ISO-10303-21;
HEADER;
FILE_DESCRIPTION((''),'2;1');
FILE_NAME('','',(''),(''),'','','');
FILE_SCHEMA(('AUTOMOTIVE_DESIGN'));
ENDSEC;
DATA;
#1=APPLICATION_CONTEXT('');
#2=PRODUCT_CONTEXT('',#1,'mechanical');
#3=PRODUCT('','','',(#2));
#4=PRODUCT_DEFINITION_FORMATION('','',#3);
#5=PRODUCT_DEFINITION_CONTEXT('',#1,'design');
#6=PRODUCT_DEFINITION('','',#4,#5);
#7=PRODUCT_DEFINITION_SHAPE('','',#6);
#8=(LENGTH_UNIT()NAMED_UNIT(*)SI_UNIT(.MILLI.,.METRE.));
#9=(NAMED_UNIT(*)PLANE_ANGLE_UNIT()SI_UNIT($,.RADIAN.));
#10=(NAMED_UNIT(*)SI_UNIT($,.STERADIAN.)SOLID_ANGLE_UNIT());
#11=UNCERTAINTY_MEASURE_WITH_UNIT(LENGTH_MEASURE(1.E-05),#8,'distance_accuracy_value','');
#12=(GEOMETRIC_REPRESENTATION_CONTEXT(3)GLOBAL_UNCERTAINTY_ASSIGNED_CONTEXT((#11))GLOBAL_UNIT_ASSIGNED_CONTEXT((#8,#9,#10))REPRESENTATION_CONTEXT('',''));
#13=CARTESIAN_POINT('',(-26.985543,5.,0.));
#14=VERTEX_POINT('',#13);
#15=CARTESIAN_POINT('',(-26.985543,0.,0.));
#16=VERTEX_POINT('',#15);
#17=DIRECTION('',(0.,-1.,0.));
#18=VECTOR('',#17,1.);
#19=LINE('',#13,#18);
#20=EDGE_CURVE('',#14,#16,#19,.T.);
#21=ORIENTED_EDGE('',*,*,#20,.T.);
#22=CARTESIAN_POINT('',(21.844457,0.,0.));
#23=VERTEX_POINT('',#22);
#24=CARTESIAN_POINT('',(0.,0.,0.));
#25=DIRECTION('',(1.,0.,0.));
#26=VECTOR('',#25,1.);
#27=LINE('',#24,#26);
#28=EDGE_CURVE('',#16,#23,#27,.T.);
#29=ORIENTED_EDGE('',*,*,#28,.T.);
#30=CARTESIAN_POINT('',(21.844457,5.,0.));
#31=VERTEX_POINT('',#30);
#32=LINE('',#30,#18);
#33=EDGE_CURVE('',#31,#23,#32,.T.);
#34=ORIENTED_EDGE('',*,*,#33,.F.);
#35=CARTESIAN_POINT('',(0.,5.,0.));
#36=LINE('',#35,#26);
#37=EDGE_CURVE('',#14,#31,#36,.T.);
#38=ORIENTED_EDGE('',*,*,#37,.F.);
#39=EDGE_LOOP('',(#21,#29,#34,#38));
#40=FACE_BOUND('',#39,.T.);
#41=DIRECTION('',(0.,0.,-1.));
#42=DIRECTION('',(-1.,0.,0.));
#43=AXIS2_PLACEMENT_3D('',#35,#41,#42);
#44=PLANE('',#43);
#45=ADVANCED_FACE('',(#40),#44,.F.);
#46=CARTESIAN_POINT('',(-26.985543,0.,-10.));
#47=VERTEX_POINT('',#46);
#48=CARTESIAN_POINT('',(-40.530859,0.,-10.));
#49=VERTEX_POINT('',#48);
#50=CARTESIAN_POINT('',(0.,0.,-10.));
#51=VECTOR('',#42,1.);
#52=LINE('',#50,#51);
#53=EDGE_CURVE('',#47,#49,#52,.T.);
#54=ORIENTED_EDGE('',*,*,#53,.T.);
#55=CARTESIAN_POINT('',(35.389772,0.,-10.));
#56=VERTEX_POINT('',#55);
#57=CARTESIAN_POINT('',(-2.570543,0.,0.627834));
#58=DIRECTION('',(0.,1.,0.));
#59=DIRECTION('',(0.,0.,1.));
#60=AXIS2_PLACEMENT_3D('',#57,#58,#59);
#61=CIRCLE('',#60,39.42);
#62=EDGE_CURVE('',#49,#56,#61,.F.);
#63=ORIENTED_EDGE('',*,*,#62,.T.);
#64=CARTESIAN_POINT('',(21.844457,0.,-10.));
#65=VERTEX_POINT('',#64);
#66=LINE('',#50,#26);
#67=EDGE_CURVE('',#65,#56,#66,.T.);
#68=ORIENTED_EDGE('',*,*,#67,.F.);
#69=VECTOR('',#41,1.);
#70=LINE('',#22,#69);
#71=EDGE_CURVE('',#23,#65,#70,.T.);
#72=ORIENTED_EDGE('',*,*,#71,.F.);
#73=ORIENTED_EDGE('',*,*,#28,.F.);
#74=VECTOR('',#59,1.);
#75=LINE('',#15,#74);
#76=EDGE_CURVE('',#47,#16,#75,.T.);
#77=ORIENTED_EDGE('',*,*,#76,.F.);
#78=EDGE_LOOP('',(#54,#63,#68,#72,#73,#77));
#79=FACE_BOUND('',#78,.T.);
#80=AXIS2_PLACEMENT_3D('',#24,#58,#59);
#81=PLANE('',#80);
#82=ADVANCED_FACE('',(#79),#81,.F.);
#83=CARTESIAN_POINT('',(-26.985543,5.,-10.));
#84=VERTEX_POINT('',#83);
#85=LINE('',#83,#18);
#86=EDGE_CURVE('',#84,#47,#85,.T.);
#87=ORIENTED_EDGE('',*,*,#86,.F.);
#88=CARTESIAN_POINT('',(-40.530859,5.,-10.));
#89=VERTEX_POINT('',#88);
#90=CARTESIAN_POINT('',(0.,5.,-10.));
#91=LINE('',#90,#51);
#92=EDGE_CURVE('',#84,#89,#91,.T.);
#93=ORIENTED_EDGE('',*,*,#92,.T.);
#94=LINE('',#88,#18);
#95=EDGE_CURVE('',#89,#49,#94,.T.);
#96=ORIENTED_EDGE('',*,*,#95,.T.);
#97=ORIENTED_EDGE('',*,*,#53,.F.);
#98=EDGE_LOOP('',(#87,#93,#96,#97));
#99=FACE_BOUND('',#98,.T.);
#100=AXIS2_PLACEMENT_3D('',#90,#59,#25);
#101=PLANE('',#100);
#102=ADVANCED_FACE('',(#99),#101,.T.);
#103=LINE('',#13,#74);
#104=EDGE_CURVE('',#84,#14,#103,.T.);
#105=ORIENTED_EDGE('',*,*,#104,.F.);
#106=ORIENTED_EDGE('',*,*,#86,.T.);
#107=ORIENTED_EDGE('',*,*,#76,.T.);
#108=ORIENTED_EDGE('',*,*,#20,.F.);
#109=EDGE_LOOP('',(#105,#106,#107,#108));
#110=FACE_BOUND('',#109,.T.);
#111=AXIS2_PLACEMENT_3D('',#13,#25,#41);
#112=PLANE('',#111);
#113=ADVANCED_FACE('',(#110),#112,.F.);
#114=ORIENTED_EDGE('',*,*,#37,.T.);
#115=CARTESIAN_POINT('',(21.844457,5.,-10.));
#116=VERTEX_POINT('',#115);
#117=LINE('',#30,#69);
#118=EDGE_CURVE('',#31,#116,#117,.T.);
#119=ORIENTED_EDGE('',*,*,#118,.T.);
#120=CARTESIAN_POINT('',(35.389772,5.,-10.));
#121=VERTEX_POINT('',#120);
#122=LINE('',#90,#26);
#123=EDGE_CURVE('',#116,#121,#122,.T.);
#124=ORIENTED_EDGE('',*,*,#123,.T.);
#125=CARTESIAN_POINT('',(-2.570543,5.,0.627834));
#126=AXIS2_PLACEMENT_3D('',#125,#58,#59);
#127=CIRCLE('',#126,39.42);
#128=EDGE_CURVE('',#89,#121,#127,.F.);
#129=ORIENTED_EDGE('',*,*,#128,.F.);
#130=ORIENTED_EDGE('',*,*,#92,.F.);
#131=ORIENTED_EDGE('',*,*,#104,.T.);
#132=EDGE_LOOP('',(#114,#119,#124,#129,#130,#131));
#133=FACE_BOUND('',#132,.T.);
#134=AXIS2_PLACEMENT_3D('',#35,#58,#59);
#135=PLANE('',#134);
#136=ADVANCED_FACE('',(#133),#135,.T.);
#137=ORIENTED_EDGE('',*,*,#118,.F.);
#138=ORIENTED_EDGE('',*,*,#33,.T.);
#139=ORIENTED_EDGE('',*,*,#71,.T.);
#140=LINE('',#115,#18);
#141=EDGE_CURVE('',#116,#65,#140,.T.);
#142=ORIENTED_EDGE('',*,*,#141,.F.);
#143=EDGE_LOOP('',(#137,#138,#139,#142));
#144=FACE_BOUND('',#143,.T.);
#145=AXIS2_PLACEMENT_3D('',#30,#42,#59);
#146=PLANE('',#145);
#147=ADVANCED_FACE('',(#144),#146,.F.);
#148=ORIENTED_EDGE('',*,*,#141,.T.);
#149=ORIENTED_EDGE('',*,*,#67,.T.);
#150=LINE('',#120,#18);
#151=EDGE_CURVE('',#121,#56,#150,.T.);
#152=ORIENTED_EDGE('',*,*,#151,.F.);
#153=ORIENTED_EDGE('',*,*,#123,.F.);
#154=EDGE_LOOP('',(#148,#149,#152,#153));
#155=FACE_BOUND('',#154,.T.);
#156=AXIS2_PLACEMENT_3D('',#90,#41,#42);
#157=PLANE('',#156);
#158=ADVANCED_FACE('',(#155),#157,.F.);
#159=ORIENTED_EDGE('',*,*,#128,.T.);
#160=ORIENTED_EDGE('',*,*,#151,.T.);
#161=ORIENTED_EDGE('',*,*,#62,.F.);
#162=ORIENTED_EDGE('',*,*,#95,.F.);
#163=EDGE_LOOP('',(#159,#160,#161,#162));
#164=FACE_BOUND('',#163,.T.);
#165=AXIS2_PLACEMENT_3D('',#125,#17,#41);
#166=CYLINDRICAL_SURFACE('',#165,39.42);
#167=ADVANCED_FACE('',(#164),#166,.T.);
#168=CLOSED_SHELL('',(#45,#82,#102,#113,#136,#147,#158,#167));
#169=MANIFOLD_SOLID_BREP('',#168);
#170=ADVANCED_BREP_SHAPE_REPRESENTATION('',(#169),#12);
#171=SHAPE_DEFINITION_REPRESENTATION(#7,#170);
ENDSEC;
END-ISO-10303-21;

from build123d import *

# Parameters (mm, degrees)
BOSS_EXTRUDE1_DEPTH = 5


with BuildPart() as part:
    # Sketch1 → Boss-Extrude1 (new body)
    with BuildSketch(Plane(origin=(0, 0, 0), x_dir=(1, 0, 0), z_dir=(0, 1, 0))):
        with BuildLine():
            ThreePointArc((-40.530858986, 10), (-2.570543478, 38.792166423), (35.38977203, 10))
            Line((35.38977203, 10), (21.844456522, 10))
            Line((21.844456522, 10), (21.844456522, 0))
            Line((21.844456522, 0), (-26.985543478, 0))
            Line((-26.985543478, 0), (-26.985543478, 10))
            Line((-26.985543478, 10), (-40.530858986, 10))
        make_face()
    extrude(amount=BOSS_EXTRUDE1_DEPTH)


solid = part.part
